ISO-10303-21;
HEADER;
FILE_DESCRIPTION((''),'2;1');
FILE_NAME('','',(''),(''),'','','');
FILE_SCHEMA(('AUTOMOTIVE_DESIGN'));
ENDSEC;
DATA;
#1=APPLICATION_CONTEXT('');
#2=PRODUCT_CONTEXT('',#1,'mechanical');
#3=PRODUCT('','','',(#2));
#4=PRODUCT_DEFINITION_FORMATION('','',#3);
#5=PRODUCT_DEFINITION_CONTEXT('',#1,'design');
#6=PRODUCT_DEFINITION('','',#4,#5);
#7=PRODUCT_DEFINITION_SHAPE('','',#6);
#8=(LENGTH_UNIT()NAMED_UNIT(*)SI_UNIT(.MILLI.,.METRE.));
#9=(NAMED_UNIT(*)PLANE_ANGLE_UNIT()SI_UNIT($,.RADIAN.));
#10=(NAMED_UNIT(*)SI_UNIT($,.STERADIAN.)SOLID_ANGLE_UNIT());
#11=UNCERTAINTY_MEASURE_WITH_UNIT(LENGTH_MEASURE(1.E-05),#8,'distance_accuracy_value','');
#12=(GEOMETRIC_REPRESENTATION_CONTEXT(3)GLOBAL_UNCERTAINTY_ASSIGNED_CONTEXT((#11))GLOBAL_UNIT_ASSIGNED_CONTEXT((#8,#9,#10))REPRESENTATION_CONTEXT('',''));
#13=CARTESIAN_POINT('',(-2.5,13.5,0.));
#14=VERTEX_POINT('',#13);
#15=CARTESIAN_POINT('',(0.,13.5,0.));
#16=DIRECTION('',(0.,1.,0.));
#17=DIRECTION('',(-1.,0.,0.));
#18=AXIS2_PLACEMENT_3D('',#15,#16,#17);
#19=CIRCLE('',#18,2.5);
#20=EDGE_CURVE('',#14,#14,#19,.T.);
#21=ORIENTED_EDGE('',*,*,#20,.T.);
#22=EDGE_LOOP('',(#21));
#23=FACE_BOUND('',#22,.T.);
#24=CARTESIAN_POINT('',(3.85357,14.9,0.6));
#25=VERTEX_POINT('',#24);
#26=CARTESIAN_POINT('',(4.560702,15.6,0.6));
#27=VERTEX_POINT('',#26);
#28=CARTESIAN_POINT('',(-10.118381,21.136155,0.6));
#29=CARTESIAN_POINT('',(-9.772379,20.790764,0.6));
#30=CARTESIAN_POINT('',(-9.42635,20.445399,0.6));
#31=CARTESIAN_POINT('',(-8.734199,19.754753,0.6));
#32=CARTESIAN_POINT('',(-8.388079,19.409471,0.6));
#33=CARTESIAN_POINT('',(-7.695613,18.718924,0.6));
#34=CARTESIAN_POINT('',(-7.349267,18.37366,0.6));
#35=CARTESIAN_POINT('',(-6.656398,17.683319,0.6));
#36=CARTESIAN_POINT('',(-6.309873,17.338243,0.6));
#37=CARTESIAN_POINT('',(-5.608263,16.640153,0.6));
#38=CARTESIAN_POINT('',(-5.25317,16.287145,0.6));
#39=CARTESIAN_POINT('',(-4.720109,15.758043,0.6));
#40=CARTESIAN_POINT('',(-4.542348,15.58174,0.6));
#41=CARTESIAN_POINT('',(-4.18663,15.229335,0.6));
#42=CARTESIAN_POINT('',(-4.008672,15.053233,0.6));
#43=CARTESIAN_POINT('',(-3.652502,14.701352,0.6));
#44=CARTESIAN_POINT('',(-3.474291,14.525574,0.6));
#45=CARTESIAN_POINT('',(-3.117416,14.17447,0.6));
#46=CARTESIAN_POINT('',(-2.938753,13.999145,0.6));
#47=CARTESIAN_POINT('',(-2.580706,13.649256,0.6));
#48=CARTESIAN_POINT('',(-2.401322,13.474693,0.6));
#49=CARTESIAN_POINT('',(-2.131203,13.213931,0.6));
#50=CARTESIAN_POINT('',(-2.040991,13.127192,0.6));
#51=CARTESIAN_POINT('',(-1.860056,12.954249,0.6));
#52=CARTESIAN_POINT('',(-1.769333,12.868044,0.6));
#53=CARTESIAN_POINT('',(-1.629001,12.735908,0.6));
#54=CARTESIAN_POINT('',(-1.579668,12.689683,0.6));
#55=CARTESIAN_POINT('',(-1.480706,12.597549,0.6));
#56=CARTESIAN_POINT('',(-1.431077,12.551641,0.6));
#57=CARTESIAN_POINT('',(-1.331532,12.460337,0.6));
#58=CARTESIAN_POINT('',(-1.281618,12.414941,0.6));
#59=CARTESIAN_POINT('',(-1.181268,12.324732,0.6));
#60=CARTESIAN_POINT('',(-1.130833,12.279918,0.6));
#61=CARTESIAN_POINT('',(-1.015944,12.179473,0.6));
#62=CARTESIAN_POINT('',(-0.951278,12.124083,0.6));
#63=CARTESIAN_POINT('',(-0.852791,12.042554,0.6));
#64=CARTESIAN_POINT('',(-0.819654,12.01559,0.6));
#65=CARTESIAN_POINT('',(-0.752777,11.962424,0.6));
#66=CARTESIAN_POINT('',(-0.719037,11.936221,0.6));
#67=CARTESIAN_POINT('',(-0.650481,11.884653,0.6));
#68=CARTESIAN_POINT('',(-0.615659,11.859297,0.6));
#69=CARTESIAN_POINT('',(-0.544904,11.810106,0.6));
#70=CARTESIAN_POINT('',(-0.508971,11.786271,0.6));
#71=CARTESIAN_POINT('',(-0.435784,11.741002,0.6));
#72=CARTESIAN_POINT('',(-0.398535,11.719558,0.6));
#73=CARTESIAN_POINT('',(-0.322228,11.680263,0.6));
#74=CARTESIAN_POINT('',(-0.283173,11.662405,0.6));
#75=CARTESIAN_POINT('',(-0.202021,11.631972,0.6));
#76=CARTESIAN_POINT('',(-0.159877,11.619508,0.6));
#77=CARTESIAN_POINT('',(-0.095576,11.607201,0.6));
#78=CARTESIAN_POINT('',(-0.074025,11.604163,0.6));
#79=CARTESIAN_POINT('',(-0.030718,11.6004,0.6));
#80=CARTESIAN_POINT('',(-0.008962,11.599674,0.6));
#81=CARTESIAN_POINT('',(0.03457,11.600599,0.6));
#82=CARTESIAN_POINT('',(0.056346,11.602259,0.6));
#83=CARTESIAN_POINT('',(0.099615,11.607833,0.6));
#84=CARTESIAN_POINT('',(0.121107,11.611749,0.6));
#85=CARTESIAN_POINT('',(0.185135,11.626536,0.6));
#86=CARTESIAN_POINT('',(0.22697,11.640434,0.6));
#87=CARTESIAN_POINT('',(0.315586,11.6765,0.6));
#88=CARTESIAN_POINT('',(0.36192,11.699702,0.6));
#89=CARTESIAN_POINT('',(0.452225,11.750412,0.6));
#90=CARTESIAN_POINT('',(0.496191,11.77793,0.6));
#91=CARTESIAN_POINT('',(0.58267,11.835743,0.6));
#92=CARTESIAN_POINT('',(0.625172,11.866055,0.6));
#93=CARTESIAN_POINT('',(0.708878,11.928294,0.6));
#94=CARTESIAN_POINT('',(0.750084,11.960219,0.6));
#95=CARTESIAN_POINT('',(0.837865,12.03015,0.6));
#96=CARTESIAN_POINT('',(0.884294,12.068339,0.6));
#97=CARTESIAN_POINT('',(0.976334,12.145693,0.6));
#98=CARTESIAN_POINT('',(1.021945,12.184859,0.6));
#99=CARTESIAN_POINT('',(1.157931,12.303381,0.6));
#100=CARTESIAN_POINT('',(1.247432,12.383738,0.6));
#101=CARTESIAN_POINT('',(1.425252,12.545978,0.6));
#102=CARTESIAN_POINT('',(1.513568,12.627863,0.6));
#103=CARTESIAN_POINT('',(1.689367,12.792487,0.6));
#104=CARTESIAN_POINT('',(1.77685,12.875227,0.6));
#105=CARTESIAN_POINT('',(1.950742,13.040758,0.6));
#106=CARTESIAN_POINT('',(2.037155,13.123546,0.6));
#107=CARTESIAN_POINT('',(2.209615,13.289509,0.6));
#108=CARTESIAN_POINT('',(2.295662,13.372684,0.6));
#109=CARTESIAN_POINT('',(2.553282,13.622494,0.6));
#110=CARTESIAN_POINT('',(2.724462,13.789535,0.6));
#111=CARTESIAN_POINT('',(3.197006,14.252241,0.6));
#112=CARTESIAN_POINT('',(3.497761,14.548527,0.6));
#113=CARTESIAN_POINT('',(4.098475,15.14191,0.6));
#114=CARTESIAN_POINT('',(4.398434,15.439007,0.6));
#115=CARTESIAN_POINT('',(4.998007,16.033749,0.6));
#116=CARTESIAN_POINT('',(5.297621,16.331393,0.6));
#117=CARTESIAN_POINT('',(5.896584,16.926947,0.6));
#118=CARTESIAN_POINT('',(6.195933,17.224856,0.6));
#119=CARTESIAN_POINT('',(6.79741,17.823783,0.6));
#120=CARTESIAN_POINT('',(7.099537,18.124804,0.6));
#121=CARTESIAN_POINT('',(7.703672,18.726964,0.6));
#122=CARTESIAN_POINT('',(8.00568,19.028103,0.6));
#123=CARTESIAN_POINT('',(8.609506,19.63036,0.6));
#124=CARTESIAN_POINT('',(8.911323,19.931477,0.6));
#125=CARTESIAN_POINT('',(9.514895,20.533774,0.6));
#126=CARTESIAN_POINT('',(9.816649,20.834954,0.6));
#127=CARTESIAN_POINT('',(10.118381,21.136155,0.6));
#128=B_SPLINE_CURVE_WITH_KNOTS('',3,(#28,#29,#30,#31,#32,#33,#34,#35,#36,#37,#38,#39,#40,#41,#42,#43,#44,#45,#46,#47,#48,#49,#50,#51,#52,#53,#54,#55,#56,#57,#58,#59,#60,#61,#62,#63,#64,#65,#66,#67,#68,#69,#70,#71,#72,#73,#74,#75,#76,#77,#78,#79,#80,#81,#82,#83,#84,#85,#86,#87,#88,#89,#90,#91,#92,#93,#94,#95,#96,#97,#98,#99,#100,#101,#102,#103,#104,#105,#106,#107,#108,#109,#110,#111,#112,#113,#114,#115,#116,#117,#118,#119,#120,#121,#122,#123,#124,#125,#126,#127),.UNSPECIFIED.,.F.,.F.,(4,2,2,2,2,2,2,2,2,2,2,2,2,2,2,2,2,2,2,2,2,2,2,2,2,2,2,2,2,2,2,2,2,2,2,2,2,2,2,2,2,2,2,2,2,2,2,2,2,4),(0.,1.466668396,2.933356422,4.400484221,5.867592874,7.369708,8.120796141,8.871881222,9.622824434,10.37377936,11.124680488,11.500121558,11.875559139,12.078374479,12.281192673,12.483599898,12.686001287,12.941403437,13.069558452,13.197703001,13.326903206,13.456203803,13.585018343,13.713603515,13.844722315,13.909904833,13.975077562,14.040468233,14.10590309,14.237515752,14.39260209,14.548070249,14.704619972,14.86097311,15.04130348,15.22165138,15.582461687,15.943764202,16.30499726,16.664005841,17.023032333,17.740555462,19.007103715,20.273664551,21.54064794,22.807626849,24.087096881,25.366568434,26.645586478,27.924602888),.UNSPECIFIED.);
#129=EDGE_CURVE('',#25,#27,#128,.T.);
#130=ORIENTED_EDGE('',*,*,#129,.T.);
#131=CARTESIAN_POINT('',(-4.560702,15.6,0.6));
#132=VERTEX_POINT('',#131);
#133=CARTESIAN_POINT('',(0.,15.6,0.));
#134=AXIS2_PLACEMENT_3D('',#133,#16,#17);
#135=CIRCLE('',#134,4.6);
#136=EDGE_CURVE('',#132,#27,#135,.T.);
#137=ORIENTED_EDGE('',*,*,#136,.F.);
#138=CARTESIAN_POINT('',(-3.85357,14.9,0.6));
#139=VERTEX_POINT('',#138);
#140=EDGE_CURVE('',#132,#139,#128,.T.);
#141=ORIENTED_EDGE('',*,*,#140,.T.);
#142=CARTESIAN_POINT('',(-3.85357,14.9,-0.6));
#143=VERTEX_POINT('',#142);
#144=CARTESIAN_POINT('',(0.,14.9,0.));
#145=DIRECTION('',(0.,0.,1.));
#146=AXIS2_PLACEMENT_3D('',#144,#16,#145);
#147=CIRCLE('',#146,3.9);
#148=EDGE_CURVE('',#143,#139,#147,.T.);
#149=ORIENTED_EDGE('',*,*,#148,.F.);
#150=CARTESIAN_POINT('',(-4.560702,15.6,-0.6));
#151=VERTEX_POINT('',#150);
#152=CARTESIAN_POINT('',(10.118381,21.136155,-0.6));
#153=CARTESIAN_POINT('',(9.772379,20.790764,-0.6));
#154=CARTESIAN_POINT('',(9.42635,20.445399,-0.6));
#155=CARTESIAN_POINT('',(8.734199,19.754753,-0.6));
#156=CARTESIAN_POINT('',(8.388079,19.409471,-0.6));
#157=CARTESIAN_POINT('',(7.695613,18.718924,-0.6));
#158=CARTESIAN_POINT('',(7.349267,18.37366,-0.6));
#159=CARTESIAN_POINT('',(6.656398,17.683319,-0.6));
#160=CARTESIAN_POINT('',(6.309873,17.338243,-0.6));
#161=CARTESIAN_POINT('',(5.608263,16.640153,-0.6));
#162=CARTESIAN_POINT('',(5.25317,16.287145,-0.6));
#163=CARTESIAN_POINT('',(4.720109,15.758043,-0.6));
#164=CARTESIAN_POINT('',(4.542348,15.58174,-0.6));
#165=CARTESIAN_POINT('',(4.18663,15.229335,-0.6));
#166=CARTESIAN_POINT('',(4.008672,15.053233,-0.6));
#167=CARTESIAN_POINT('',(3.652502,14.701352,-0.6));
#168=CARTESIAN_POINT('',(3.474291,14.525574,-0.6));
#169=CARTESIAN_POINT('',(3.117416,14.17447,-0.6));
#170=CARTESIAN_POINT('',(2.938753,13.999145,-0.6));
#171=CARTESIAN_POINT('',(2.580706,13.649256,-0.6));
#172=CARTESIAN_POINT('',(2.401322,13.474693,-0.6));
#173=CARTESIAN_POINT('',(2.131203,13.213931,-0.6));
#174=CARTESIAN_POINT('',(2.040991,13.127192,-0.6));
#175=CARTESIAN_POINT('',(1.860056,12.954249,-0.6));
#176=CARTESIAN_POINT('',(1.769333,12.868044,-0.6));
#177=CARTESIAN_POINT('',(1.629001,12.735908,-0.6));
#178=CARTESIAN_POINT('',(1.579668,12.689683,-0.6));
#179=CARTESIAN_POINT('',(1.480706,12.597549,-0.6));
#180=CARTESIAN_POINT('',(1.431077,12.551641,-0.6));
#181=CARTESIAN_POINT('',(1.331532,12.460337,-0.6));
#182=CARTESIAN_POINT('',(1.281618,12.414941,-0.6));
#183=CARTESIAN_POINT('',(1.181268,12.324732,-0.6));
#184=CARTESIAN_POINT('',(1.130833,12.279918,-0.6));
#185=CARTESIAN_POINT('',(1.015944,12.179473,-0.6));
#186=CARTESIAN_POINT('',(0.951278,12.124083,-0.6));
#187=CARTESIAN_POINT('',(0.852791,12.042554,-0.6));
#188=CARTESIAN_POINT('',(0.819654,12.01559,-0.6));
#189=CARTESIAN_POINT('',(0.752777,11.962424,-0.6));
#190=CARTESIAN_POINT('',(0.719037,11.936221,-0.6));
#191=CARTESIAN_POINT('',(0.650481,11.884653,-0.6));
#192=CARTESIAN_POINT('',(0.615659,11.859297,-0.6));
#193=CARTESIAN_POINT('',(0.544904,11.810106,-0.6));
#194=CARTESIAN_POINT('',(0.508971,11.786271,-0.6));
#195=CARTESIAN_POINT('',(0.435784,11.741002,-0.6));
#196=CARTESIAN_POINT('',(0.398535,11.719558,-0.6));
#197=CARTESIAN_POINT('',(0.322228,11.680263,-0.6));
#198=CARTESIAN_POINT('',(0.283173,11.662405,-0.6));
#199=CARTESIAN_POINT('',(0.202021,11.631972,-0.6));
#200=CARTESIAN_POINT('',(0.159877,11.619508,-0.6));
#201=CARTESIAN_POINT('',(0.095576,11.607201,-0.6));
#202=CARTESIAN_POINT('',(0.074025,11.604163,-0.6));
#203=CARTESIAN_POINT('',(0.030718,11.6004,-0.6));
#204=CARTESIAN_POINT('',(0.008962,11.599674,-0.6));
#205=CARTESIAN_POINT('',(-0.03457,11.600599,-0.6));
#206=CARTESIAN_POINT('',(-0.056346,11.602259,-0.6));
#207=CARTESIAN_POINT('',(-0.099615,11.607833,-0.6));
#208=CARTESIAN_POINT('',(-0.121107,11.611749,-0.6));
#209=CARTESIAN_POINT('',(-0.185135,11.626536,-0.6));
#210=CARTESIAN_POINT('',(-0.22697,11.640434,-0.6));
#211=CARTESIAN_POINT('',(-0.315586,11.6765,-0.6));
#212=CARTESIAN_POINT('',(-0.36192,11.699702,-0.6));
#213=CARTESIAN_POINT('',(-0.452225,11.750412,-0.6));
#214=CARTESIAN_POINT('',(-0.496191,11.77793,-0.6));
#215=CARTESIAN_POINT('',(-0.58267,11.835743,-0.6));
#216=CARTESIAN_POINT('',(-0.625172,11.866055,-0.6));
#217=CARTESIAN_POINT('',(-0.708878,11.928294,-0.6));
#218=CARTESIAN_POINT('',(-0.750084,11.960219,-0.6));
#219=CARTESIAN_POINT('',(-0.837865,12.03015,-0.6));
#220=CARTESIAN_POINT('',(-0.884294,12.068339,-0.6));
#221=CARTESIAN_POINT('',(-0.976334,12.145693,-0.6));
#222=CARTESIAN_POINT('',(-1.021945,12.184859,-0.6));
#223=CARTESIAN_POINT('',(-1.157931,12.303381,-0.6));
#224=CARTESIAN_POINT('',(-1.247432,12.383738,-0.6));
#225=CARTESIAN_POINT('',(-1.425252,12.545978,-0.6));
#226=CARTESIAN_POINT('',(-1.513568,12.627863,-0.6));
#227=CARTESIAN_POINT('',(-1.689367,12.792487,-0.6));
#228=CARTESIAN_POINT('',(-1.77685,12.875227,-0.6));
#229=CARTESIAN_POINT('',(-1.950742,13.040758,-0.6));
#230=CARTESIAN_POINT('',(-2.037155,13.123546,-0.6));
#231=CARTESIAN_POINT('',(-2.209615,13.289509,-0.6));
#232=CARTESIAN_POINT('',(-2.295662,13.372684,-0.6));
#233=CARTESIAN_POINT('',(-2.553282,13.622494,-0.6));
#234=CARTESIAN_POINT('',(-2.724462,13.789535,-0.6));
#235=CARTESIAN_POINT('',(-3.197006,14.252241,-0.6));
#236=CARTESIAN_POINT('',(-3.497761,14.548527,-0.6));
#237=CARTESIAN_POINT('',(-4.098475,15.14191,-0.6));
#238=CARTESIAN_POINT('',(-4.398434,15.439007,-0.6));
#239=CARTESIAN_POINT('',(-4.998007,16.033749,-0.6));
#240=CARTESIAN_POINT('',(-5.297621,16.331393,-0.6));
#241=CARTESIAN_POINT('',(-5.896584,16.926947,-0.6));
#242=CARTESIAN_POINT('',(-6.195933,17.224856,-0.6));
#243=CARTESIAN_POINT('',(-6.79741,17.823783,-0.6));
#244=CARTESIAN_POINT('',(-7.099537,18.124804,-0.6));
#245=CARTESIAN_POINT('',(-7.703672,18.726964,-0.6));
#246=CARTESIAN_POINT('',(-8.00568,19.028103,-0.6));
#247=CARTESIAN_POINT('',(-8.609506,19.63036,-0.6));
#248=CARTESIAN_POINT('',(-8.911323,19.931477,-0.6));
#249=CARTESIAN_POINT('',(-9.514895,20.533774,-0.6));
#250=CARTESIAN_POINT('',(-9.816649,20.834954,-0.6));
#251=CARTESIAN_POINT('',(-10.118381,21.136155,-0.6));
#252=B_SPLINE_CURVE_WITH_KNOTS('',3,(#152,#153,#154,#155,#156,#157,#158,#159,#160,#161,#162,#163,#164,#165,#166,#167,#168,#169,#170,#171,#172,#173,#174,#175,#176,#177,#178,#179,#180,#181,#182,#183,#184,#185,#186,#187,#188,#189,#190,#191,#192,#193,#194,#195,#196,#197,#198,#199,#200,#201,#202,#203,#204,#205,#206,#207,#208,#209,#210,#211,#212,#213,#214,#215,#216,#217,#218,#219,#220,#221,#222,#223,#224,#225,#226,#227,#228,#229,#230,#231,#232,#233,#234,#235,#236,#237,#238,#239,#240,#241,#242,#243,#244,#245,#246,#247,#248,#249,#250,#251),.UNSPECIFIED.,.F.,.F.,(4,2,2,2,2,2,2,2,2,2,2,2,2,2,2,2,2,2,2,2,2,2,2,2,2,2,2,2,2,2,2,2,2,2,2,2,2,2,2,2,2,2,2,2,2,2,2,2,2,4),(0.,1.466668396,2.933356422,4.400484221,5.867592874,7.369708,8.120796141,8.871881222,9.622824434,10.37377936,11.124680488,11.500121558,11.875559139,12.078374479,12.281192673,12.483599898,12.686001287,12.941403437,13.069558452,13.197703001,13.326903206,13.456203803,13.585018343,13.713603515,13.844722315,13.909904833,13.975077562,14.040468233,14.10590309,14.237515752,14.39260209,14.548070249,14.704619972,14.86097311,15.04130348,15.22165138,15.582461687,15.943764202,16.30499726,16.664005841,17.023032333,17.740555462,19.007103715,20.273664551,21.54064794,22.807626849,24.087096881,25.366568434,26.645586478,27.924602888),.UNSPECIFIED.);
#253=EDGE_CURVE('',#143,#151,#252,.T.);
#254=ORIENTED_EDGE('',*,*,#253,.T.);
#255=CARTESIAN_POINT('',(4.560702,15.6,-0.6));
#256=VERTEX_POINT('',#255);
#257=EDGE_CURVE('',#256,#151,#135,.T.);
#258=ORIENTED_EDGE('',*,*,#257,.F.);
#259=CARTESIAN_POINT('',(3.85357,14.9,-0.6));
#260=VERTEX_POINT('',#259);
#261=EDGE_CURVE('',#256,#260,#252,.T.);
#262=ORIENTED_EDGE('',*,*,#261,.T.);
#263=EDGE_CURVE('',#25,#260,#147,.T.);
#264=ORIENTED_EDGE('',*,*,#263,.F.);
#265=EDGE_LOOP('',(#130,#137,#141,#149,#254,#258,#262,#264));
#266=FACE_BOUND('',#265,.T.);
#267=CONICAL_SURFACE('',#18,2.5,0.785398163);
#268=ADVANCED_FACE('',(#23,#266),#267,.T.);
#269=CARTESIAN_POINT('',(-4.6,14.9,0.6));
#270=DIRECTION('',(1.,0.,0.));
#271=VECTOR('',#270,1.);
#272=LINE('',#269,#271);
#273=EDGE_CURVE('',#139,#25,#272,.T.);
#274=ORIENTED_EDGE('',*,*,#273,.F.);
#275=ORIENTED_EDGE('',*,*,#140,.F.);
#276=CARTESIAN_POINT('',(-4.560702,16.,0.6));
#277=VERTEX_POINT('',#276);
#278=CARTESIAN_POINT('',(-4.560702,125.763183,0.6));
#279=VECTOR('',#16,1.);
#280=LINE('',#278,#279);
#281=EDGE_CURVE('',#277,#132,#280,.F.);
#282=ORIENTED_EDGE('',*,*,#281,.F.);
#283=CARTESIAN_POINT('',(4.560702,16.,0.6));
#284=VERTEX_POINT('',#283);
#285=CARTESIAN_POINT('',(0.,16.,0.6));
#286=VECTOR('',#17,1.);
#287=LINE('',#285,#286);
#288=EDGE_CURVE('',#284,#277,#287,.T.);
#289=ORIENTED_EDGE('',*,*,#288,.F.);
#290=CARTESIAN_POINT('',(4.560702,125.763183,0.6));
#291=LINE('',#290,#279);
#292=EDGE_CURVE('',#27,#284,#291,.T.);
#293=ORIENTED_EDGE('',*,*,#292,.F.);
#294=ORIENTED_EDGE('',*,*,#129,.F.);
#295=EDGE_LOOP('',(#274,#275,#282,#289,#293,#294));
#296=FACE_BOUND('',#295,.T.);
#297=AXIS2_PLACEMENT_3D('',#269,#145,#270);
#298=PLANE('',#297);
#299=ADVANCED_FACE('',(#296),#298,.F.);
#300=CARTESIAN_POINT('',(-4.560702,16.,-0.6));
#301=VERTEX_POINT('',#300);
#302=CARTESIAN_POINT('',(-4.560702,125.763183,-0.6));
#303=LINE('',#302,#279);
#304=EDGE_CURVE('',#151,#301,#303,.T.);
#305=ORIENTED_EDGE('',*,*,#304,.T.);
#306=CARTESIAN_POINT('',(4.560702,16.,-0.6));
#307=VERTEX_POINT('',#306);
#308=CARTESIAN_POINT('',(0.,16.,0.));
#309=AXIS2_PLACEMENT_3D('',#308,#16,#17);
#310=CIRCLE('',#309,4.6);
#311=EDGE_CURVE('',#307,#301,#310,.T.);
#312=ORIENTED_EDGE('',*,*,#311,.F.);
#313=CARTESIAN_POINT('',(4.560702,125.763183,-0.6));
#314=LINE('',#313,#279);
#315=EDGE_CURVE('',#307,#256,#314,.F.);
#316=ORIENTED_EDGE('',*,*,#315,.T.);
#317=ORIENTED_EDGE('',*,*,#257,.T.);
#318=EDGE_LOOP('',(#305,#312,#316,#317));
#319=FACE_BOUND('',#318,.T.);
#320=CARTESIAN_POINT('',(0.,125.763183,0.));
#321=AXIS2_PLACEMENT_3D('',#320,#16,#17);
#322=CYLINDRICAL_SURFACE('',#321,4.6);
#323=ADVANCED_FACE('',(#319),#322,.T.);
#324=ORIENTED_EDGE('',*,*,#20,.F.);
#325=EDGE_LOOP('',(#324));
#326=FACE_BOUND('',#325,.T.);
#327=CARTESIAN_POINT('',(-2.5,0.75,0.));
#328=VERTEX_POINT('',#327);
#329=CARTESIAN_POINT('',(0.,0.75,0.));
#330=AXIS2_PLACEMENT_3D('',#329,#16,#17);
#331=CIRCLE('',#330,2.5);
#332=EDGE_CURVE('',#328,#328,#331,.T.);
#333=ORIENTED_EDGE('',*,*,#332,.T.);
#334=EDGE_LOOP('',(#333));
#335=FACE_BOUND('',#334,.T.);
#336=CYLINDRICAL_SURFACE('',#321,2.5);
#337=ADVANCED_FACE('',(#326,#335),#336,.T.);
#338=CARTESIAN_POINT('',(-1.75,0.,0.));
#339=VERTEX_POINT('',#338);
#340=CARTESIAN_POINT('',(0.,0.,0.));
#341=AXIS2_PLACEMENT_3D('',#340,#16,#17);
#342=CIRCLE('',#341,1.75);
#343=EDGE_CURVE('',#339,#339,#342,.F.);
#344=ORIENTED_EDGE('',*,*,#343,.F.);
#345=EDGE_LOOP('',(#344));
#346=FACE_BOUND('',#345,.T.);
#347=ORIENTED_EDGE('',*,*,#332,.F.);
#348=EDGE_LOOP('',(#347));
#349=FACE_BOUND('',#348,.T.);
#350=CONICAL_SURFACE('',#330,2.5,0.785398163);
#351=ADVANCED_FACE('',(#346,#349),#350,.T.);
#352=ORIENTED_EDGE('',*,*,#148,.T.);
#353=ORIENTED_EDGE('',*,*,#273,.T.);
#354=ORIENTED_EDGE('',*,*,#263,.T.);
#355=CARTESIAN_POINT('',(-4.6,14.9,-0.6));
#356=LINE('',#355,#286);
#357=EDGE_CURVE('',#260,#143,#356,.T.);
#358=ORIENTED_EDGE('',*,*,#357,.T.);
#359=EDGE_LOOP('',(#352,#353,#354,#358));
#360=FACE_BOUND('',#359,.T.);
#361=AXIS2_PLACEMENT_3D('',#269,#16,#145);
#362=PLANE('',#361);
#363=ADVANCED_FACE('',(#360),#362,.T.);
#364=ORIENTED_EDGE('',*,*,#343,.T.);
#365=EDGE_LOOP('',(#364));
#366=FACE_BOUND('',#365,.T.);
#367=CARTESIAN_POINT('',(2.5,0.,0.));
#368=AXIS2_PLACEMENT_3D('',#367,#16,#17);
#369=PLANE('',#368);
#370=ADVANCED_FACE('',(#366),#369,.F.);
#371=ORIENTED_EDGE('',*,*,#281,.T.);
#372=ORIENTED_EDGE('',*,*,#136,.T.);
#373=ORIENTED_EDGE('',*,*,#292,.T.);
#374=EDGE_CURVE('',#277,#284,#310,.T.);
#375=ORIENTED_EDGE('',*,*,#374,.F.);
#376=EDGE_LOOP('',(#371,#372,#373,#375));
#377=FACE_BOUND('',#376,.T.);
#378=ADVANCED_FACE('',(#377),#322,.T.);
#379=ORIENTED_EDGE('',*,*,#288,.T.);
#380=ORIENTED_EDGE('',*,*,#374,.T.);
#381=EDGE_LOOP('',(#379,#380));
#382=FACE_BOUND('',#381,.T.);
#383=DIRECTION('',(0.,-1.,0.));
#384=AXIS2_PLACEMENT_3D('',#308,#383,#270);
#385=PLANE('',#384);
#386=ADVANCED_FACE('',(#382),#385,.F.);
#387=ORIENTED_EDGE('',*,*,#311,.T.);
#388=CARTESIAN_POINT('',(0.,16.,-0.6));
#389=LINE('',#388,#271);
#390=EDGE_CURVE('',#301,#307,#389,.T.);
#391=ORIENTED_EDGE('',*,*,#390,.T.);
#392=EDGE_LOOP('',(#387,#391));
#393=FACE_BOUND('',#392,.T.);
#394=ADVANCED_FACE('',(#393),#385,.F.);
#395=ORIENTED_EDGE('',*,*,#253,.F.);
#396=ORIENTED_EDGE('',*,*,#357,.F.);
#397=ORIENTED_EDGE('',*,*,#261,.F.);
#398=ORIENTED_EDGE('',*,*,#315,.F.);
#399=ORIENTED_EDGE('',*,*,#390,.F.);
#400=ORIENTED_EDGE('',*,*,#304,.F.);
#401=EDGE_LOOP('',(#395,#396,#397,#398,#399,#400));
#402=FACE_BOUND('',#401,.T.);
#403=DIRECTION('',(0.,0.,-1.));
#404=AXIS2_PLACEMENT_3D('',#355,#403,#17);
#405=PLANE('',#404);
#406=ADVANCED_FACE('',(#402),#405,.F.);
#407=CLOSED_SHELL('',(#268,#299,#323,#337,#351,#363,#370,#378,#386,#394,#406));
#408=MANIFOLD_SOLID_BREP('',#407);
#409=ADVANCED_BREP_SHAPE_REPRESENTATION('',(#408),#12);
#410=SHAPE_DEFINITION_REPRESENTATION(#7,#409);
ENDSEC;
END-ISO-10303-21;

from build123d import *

# Parameters (mm, degrees)
SKETCH_13_W         = 9.2
SKETCH_13_H         = 1.2
CUT_EXTRUDE_9_DEPTH = 1.1
CHAMFER_1_SIZE      = 0.75


with BuildPart() as part:
    # Эскиз1 → Повернуть1 (revolve)
    with BuildSketch(Plane.XY):
        Polygon((0, 16), (0, 0), (2.5, 0), (2.5, 13.5), (4.6, 15.6), (4.6, 16), align=None)
    revolve(axis=Axis((0, 125.763182898, 0), (0, -1, 0)))

    # Эскиз13 → Вырез-Вытянуть9 (cut)
    with BuildSketch(Plane(origin=(0, 16, 0), x_dir=(-1, 0, 0), z_dir=(0, 1, 0))):
        Rectangle(SKETCH_13_W, SKETCH_13_H)
    extrude(amount=-CUT_EXTRUDE_9_DEPTH, mode=Mode.SUBTRACT)

    # Фаска1
    chamfer_1_edges = [part.edges().sort_by_distance(p)[0] for p in [
        (-2.5, 0, 0),
    ]]
    chamfer(chamfer_1_edges, length=CHAMFER_1_SIZE)


solid = part.part
